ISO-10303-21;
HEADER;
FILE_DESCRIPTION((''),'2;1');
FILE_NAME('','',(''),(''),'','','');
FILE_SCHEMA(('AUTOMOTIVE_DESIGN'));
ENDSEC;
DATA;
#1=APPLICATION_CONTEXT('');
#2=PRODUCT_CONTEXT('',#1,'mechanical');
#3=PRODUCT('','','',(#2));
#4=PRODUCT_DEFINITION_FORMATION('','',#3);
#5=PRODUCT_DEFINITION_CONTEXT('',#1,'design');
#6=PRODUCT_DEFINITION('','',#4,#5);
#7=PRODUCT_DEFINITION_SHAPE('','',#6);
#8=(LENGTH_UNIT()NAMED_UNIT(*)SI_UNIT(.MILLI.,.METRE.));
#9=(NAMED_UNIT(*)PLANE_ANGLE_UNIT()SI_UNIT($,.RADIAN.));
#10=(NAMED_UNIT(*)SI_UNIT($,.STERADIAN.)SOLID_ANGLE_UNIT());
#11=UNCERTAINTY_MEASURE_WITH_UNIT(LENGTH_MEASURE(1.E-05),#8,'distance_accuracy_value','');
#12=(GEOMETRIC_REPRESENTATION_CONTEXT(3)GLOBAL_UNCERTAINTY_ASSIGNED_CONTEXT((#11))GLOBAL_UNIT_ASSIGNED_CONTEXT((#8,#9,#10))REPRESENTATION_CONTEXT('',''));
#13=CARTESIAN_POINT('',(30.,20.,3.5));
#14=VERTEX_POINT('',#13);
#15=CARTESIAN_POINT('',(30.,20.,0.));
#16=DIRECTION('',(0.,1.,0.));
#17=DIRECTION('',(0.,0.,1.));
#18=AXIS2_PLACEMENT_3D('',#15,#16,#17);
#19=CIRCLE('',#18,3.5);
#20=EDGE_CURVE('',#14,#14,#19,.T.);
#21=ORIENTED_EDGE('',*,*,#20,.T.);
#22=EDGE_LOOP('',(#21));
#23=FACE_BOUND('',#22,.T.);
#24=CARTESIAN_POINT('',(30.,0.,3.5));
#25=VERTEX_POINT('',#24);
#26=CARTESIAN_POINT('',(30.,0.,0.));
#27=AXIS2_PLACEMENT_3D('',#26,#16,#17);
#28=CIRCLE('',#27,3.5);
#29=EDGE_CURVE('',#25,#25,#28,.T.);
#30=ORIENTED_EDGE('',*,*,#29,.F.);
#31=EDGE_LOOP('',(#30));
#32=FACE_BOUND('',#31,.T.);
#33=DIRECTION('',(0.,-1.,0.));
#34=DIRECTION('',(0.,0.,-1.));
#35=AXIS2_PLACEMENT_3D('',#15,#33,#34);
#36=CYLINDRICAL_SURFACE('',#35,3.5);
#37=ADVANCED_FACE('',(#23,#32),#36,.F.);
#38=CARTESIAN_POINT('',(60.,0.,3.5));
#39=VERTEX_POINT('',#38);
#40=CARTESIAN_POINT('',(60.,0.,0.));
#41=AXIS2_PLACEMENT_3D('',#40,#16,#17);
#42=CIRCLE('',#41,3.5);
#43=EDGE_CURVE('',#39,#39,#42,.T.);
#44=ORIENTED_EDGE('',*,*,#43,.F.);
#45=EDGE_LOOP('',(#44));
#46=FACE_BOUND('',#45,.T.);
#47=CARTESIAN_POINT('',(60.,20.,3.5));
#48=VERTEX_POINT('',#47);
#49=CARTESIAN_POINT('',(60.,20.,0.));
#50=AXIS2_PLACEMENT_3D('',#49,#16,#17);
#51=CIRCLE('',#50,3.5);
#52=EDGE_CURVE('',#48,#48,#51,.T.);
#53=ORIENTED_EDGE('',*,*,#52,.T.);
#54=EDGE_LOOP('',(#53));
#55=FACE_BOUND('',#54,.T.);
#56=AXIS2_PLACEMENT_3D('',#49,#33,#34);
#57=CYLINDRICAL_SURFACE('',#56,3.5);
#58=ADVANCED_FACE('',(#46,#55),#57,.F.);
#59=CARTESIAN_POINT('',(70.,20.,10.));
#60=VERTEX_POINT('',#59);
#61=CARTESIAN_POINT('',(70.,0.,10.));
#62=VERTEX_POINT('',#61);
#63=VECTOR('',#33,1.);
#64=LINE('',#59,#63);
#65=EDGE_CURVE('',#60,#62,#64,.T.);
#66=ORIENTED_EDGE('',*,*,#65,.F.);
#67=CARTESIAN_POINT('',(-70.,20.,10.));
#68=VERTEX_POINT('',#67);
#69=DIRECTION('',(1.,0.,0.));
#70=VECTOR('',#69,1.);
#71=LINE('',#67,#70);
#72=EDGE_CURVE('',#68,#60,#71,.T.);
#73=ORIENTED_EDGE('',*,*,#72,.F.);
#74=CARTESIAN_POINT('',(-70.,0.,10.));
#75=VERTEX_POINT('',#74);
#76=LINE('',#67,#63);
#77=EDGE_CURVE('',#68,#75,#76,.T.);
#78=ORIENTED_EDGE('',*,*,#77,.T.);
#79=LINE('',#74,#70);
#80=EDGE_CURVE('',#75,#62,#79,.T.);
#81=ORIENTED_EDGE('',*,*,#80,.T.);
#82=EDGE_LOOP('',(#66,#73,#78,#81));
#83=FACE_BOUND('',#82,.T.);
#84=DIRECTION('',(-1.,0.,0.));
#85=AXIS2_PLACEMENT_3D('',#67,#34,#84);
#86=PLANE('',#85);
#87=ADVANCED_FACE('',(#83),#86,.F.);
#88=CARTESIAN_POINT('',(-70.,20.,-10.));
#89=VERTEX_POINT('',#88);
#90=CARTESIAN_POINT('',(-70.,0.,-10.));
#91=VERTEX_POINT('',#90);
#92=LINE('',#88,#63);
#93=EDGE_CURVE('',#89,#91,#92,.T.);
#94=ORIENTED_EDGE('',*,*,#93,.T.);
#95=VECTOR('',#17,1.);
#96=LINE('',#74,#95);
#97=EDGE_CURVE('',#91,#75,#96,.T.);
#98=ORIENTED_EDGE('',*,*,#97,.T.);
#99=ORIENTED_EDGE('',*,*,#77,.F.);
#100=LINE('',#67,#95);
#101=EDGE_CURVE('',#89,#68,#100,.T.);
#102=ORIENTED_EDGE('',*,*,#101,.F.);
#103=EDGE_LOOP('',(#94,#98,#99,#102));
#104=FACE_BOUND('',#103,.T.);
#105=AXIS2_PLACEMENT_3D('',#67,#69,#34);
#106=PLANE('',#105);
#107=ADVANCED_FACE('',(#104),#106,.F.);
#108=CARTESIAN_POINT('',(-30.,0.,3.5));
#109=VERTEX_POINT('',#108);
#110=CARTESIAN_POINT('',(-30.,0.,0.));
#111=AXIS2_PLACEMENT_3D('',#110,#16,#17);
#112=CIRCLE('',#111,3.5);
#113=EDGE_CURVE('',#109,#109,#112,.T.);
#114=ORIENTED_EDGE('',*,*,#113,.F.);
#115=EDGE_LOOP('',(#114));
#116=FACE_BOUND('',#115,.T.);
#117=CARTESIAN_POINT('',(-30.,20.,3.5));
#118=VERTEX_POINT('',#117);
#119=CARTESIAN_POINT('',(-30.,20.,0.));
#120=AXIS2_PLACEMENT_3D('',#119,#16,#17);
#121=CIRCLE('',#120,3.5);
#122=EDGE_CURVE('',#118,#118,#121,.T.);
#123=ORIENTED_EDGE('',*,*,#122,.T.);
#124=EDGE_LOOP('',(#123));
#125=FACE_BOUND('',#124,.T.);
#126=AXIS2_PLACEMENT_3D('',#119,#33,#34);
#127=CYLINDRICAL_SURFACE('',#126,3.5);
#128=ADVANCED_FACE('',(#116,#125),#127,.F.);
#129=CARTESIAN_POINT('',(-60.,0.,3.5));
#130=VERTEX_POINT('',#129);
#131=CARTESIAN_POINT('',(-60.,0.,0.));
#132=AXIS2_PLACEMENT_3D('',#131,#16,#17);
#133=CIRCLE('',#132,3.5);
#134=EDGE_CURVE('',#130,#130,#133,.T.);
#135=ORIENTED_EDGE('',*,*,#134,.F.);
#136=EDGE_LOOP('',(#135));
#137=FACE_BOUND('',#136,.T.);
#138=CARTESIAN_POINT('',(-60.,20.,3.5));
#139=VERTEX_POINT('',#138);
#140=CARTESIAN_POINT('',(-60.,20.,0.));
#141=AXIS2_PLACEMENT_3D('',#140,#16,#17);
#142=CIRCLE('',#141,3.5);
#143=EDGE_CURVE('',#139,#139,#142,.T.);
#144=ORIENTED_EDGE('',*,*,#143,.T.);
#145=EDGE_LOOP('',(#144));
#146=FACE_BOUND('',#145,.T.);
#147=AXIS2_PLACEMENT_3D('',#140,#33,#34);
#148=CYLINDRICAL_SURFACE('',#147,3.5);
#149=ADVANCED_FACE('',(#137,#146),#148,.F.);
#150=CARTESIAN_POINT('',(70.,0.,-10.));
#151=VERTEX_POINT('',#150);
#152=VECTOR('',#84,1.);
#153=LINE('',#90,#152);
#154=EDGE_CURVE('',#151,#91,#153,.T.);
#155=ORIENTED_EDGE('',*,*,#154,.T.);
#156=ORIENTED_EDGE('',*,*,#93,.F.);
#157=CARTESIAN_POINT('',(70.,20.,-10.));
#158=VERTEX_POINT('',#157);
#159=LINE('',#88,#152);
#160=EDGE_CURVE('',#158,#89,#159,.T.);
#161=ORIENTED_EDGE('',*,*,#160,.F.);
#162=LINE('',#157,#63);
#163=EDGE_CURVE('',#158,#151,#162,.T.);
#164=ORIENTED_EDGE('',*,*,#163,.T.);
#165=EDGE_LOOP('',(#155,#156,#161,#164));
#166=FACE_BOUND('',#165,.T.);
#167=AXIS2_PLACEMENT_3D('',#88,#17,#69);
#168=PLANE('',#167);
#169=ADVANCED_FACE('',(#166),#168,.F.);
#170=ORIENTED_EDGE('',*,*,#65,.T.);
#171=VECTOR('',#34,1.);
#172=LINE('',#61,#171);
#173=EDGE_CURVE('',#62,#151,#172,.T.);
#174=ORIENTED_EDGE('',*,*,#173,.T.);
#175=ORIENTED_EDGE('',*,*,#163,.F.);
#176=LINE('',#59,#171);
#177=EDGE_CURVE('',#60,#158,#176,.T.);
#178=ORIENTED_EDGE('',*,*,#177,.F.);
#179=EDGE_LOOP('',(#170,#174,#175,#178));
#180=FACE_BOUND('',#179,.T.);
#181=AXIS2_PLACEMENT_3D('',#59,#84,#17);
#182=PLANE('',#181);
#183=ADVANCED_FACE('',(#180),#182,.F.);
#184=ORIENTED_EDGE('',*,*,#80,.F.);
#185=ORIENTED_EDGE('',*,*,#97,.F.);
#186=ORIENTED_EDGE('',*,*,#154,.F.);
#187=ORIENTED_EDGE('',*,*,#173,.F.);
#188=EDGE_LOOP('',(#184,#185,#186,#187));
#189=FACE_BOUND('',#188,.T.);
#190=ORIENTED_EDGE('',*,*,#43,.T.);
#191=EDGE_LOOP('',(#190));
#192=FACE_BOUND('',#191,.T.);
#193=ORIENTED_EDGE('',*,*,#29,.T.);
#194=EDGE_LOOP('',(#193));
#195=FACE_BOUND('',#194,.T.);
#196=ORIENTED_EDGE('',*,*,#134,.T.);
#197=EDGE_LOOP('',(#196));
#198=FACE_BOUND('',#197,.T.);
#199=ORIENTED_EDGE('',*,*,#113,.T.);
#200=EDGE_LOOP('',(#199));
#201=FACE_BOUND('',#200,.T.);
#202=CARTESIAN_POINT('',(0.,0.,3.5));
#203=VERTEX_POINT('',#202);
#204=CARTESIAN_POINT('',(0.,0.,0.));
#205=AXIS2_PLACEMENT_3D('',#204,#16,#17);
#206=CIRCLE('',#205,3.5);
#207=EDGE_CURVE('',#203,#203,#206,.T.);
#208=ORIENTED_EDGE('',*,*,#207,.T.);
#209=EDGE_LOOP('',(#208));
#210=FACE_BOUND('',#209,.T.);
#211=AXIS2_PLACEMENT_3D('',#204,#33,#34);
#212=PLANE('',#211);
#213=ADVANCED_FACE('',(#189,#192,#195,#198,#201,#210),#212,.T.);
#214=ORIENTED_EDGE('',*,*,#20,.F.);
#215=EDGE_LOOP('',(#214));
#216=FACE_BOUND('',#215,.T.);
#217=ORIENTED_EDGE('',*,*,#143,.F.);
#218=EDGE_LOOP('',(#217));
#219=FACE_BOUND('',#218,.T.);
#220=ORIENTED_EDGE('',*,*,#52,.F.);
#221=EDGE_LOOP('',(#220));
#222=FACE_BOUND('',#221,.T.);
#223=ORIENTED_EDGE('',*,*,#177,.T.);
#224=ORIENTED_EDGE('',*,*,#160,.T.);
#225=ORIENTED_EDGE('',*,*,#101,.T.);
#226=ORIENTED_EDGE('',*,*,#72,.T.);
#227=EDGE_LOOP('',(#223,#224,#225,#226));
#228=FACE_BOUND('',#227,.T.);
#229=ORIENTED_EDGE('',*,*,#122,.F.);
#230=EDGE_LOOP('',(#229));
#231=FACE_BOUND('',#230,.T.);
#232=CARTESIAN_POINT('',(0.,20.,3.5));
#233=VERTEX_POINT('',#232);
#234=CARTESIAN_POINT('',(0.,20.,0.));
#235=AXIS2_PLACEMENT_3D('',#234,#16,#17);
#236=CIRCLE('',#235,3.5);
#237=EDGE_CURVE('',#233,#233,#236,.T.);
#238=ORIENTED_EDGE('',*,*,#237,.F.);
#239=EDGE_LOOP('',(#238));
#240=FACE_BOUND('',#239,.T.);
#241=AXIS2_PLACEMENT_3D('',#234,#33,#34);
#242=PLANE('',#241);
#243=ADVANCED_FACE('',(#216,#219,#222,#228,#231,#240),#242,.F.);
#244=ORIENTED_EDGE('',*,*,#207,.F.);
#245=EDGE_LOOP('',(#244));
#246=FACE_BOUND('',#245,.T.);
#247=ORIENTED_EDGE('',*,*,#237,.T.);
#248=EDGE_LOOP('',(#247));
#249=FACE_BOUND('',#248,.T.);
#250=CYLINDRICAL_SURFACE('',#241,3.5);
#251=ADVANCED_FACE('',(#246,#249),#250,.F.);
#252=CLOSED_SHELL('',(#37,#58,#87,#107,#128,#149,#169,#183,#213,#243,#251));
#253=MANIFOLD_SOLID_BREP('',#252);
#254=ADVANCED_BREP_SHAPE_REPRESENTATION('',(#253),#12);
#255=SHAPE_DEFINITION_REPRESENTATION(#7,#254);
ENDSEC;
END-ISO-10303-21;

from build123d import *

# Parameters (mm, degrees)
SKETCH1_W           = 140
SKETCH1_H           = 20
SKETCH1_R           = 3.5
BOSS_EXTRUDE1_DEPTH = 20


with BuildPart() as part:
    # Sketch1 → Boss-Extrude1 (new body)
    with BuildSketch(Plane(origin=(0, 0, 0), x_dir=(1, 0, 0), z_dir=(0, 1, 0))):
        Rectangle(SKETCH1_W, SKETCH1_H)
        with Locations(Location((-60, 0, 0), (0, 0, 270))):
            Circle(SKETCH1_R, mode=Mode.SUBTRACT)
        with Locations(Location((-30, 0, 0), (0, 0, 270))):
            Circle(SKETCH1_R, mode=Mode.SUBTRACT)
        with Locations(Location((0, 0, 0), (0, 0, 270))):
            Circle(SKETCH1_R, mode=Mode.SUBTRACT)
        with Locations(Location((30, 0, 0), (0, 0, 270))):
            Circle(SKETCH1_R, mode=Mode.SUBTRACT)
        with Locations(Location((60, 0, 0), (0, 0, 270))):
            Circle(SKETCH1_R, mode=Mode.SUBTRACT)
    extrude(amount=BOSS_EXTRUDE1_DEPTH)


solid = part.part
